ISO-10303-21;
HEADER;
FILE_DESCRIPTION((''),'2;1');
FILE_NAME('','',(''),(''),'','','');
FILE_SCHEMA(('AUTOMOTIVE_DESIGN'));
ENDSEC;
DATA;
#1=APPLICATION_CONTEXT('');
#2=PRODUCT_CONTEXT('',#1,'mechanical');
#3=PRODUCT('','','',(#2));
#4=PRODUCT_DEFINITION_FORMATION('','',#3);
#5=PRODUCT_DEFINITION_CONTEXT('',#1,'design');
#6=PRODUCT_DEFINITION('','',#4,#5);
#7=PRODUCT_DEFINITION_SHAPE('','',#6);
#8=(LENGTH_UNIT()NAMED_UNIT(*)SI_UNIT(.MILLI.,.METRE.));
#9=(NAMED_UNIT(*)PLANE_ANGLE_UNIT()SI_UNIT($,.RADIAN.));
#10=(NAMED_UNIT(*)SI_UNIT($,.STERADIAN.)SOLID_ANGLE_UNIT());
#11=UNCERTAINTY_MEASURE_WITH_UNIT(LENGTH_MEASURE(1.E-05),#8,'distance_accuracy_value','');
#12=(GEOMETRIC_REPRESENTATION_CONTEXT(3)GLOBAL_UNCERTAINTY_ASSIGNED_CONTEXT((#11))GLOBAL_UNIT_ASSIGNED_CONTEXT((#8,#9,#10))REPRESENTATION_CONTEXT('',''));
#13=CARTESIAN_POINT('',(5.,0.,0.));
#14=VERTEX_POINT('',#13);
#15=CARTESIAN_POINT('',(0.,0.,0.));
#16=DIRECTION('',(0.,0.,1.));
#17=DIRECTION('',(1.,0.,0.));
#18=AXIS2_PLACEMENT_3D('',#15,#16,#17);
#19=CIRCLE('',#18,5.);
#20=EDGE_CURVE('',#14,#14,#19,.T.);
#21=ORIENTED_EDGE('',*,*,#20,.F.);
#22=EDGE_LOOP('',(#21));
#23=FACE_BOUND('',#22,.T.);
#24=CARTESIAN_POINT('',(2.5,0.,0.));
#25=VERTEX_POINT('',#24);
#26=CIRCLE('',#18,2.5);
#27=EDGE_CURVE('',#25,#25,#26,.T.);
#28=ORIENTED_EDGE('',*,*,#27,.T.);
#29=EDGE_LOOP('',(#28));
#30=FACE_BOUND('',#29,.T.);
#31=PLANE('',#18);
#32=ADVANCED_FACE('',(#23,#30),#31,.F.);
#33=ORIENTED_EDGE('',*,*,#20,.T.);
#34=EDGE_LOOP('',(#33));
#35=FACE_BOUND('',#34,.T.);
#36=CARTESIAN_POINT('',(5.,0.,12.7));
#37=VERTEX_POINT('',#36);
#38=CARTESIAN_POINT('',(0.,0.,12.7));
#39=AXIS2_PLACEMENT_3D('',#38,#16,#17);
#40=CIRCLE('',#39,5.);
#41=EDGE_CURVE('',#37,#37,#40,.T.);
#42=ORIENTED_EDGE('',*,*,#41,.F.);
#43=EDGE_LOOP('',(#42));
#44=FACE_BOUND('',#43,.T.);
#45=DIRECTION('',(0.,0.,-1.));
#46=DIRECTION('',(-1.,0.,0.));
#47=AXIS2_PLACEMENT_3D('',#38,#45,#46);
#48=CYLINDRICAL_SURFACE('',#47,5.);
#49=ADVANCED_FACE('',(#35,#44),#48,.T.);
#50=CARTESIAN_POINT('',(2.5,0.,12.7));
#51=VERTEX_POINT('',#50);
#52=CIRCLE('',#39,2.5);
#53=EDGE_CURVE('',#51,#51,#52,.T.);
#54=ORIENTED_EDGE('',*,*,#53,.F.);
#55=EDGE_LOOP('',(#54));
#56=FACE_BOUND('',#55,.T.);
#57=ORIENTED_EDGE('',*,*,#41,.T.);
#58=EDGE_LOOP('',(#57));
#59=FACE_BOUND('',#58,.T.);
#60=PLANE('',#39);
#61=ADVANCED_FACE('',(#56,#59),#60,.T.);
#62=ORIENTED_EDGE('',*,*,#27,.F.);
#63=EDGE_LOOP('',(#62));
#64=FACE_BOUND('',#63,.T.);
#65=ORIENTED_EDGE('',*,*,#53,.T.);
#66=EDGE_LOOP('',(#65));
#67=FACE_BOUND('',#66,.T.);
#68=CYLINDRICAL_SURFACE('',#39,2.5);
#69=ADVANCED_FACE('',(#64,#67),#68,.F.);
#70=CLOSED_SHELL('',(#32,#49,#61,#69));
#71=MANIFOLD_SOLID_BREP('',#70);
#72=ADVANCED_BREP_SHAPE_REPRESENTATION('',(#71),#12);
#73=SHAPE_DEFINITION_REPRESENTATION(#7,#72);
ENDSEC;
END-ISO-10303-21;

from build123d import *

# Parameters (mm, degrees)
SKETCH1_R                 = 5
BOSS_EXTRUDE1_DEPTH       = 12.7
F_5_0MM_DOWEL_HOLE1_D     = 5
F_5_0MM_DOWEL_HOLE1_DEPTH = 12.7


with BuildPart() as part:
    # Sketch1 → Boss-Extrude1 (new body)
    with BuildSketch(Plane.XY):
        Circle(SKETCH1_R)
    extrude(amount=BOSS_EXTRUDE1_DEPTH)

    # Ø5.0mm Dowel Hole1
    with Locations(Plane.XY.offset(12.7)):
        with Locations((0, 0)):
            Hole(F_5_0MM_DOWEL_HOLE1_D / 2, depth=F_5_0MM_DOWEL_HOLE1_DEPTH)


solid = part.part
